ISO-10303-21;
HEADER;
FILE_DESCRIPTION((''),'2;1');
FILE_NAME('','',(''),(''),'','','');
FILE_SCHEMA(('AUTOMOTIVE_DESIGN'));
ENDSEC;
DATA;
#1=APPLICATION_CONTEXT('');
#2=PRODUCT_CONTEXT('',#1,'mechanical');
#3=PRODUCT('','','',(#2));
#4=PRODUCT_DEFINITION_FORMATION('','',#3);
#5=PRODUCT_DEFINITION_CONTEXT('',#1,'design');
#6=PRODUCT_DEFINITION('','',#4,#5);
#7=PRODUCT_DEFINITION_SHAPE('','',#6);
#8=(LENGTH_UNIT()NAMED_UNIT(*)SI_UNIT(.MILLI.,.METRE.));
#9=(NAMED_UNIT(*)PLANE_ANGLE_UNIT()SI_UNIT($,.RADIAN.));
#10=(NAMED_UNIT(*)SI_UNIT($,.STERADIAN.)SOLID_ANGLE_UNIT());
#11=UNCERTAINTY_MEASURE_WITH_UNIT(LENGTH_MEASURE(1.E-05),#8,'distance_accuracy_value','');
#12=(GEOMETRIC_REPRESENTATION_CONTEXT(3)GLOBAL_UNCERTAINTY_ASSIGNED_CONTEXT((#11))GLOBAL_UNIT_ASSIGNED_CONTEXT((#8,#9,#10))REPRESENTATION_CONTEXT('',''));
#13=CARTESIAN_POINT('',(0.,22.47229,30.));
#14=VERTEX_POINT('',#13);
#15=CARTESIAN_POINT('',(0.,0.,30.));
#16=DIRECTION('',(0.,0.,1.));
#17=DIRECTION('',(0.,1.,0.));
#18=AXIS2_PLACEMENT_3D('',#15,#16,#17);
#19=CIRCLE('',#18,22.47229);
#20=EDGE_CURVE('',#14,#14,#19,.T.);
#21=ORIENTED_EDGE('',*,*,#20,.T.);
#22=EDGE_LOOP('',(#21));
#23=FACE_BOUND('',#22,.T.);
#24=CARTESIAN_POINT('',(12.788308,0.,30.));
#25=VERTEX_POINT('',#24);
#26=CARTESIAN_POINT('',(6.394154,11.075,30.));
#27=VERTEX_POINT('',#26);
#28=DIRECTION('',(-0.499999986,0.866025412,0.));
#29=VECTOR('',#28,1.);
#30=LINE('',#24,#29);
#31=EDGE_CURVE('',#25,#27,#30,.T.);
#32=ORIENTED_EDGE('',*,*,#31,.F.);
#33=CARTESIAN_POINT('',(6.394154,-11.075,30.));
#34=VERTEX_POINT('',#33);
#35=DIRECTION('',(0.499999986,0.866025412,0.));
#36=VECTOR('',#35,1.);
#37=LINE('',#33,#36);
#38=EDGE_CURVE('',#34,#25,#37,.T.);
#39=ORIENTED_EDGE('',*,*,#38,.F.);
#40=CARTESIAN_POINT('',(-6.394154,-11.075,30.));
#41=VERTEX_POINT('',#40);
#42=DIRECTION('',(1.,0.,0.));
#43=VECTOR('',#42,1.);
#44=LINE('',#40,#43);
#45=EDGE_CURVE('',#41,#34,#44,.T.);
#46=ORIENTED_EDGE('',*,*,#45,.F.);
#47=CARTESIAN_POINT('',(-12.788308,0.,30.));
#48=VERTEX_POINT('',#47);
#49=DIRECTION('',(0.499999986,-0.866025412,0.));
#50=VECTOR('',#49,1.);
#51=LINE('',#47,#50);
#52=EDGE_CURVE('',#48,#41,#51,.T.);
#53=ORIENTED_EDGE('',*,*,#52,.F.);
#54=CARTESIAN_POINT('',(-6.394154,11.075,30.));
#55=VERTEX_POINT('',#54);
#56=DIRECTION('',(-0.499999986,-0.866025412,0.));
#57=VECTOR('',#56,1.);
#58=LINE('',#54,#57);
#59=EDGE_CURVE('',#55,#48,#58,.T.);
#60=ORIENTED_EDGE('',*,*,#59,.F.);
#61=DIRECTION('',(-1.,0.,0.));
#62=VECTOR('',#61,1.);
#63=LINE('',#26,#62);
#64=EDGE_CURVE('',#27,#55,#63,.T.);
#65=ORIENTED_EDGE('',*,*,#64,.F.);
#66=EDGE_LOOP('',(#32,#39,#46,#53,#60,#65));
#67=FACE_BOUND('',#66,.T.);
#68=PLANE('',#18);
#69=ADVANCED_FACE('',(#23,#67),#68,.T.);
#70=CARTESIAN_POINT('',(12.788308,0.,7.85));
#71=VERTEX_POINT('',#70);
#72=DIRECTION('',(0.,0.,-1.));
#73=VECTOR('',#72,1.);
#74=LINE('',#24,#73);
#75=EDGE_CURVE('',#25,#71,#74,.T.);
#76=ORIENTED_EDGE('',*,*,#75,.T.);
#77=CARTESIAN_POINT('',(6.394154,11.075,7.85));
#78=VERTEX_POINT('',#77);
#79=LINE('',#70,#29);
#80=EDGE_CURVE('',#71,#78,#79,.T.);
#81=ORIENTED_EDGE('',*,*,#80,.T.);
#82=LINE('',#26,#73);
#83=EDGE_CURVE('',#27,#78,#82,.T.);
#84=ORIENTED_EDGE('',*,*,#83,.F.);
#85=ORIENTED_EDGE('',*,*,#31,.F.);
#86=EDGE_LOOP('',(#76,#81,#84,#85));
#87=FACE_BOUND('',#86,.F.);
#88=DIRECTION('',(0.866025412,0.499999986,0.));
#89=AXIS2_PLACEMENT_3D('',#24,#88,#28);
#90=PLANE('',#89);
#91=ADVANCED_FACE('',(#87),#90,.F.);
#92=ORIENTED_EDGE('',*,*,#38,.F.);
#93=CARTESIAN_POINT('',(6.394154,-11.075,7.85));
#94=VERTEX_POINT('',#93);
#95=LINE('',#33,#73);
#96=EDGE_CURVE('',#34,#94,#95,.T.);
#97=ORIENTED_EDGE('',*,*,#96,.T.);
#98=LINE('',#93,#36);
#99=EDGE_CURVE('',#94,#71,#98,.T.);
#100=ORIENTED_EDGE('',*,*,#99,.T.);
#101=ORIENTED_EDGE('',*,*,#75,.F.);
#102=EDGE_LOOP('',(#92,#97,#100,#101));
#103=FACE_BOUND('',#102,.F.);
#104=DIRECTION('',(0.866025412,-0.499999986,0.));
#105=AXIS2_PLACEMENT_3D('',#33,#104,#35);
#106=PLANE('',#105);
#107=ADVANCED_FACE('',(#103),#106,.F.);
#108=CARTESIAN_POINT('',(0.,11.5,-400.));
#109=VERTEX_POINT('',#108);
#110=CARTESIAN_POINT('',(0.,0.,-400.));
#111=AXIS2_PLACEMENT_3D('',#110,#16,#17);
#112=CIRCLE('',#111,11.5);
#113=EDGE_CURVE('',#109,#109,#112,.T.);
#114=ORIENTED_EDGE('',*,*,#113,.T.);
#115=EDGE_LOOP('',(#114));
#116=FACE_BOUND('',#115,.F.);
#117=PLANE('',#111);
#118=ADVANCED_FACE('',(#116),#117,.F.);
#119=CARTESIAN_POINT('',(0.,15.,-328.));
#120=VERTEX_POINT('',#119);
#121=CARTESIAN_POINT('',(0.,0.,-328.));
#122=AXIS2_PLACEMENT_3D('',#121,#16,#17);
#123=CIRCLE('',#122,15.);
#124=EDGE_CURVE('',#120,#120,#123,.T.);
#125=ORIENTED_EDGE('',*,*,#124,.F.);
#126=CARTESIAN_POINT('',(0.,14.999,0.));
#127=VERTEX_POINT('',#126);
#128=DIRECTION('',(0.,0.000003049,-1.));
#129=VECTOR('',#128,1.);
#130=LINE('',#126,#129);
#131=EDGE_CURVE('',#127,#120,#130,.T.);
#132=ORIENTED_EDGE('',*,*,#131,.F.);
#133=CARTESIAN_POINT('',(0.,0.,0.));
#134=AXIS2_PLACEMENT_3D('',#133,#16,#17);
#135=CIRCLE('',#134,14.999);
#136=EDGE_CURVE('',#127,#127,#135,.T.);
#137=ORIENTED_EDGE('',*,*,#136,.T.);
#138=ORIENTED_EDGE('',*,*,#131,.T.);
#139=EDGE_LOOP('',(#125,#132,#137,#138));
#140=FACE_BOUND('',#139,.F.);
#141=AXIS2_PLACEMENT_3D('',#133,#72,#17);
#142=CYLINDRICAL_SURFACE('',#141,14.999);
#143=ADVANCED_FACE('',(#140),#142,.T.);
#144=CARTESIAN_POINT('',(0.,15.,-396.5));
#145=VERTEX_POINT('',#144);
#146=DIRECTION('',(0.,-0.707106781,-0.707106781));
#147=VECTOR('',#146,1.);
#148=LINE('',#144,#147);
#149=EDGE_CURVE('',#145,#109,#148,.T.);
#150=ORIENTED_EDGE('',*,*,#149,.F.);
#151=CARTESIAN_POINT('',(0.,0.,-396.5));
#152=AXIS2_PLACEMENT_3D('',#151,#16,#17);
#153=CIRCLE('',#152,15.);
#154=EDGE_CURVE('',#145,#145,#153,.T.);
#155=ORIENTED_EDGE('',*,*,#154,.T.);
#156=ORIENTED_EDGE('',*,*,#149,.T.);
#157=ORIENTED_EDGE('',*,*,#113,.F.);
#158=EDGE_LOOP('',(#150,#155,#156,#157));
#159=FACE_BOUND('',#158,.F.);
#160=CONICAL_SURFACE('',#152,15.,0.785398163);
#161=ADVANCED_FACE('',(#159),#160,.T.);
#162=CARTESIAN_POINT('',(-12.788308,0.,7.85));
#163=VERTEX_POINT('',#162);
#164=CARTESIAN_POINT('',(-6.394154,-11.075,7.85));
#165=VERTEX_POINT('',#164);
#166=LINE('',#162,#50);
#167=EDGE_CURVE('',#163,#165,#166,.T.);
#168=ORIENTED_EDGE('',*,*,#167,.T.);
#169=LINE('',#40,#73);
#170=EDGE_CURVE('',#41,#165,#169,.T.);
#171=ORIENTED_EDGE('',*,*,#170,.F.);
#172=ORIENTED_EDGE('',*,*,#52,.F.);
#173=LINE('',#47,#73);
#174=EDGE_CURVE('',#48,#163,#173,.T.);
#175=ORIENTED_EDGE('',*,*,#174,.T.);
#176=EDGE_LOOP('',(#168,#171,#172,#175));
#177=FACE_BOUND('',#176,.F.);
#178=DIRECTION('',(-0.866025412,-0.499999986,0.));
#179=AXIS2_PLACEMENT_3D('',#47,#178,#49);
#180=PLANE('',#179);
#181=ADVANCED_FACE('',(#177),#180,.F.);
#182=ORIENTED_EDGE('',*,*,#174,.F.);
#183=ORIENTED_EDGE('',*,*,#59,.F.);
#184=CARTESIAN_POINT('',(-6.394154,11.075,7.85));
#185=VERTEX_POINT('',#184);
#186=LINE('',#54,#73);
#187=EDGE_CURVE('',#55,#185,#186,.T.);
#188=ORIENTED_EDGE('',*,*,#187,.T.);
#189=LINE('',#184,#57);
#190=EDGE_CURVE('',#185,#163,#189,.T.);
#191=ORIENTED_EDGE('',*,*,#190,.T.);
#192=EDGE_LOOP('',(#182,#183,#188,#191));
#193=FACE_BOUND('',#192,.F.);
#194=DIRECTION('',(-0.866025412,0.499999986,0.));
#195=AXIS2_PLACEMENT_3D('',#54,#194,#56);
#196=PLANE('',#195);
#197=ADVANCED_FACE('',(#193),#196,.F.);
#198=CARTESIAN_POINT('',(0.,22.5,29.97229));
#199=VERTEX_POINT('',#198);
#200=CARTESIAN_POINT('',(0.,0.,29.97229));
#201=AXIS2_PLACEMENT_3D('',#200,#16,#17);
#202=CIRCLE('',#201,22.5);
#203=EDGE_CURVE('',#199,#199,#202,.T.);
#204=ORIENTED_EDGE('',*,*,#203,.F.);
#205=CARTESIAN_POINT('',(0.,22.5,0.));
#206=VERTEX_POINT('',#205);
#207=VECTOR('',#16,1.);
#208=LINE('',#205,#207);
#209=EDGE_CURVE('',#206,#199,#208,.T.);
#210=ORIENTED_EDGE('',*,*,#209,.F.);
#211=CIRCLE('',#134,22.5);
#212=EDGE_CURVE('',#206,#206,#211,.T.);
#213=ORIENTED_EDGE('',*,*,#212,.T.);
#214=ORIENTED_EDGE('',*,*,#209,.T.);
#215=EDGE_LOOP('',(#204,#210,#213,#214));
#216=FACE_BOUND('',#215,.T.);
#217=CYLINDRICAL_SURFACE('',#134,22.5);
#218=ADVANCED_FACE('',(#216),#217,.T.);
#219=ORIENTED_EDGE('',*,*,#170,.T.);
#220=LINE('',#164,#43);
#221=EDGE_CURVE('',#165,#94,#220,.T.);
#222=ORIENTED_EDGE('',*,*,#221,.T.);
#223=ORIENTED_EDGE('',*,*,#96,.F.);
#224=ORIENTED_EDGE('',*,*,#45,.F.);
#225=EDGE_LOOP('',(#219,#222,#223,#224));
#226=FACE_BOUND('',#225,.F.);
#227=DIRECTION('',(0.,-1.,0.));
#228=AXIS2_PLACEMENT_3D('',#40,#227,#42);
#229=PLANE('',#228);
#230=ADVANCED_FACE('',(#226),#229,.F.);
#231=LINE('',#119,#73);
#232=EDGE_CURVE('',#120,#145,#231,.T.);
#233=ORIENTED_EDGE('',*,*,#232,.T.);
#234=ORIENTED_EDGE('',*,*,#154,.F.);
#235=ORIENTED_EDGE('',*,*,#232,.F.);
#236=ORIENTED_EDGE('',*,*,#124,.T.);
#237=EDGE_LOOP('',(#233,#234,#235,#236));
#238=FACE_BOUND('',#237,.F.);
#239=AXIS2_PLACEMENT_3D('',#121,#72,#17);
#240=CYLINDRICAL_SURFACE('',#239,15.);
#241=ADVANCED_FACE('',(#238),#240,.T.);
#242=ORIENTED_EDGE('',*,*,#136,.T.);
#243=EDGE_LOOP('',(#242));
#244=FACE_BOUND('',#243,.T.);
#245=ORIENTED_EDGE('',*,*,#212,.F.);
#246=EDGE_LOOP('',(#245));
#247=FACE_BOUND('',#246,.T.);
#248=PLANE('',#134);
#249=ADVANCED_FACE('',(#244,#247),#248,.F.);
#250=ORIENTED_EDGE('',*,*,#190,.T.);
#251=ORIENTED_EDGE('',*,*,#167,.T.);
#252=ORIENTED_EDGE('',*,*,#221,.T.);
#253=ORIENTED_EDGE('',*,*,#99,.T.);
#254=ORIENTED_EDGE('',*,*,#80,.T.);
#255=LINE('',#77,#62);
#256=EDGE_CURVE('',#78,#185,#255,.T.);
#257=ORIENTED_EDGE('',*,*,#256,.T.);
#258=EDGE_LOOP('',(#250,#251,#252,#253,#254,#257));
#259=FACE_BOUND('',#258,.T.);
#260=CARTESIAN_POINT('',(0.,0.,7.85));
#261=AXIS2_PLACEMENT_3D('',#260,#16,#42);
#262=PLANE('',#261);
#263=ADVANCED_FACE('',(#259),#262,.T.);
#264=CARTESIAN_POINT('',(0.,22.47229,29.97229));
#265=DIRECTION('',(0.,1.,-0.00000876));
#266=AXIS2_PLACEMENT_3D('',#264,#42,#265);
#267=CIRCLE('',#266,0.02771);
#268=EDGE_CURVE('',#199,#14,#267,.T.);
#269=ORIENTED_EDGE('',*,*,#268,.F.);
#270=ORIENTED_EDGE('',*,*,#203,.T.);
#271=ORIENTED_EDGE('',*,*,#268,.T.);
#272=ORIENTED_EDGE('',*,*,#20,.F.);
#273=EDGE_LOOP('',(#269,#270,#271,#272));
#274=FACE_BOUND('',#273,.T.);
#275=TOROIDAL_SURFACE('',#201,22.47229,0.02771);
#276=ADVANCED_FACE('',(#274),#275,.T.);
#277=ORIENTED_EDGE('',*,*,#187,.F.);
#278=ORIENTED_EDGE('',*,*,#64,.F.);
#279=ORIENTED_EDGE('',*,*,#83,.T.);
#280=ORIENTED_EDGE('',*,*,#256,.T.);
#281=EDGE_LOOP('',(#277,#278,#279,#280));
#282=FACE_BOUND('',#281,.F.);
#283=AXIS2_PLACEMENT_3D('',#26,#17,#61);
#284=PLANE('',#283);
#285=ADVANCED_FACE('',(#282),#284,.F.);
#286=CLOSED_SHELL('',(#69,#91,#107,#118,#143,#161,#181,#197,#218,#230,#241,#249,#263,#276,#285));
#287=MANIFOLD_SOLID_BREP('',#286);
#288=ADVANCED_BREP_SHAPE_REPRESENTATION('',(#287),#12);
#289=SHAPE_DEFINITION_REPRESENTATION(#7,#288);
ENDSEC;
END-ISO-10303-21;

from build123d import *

# Parameters (mm, degrees)
POCKET_DEPTH = 22.15


with BuildPart() as part:
    # Sketch → Revolve (revolve)
    with BuildSketch(Plane.YZ):
        with BuildLine():
            Line((14.999, 0), (22.5, 0))
            Line((22.5, 0), (22.5, 29.97229))
            ThreePointArc((22.5, 29.97229), (22.491884, 29.991884), (22.47229, 30))
            Line((22.47229, 30), (0, 30))
            Line((0, -400), (0, 30))
            Line((11.5, -400), (0, -400))
            Line((15, -396.5), (11.5, -400))
            Line((15, -328), (15, -396.5))
            Line((14.999, 0), (15, -328))
        make_face()
    revolve(axis=Axis((0, 0, 0), (0, 0, 1)))

    # Sketch001 → Pocket (cut)
    with BuildSketch(Plane.XY.offset(30)):
        Polygon((12.788308, 0), (6.394154, 11.075), (-6.394154, 11.075), (-12.788308, 0), (-6.394154, -11.075), (6.394154, -11.075), align=None)
    extrude(amount=-POCKET_DEPTH, mode=Mode.SUBTRACT)


solid = part.part
